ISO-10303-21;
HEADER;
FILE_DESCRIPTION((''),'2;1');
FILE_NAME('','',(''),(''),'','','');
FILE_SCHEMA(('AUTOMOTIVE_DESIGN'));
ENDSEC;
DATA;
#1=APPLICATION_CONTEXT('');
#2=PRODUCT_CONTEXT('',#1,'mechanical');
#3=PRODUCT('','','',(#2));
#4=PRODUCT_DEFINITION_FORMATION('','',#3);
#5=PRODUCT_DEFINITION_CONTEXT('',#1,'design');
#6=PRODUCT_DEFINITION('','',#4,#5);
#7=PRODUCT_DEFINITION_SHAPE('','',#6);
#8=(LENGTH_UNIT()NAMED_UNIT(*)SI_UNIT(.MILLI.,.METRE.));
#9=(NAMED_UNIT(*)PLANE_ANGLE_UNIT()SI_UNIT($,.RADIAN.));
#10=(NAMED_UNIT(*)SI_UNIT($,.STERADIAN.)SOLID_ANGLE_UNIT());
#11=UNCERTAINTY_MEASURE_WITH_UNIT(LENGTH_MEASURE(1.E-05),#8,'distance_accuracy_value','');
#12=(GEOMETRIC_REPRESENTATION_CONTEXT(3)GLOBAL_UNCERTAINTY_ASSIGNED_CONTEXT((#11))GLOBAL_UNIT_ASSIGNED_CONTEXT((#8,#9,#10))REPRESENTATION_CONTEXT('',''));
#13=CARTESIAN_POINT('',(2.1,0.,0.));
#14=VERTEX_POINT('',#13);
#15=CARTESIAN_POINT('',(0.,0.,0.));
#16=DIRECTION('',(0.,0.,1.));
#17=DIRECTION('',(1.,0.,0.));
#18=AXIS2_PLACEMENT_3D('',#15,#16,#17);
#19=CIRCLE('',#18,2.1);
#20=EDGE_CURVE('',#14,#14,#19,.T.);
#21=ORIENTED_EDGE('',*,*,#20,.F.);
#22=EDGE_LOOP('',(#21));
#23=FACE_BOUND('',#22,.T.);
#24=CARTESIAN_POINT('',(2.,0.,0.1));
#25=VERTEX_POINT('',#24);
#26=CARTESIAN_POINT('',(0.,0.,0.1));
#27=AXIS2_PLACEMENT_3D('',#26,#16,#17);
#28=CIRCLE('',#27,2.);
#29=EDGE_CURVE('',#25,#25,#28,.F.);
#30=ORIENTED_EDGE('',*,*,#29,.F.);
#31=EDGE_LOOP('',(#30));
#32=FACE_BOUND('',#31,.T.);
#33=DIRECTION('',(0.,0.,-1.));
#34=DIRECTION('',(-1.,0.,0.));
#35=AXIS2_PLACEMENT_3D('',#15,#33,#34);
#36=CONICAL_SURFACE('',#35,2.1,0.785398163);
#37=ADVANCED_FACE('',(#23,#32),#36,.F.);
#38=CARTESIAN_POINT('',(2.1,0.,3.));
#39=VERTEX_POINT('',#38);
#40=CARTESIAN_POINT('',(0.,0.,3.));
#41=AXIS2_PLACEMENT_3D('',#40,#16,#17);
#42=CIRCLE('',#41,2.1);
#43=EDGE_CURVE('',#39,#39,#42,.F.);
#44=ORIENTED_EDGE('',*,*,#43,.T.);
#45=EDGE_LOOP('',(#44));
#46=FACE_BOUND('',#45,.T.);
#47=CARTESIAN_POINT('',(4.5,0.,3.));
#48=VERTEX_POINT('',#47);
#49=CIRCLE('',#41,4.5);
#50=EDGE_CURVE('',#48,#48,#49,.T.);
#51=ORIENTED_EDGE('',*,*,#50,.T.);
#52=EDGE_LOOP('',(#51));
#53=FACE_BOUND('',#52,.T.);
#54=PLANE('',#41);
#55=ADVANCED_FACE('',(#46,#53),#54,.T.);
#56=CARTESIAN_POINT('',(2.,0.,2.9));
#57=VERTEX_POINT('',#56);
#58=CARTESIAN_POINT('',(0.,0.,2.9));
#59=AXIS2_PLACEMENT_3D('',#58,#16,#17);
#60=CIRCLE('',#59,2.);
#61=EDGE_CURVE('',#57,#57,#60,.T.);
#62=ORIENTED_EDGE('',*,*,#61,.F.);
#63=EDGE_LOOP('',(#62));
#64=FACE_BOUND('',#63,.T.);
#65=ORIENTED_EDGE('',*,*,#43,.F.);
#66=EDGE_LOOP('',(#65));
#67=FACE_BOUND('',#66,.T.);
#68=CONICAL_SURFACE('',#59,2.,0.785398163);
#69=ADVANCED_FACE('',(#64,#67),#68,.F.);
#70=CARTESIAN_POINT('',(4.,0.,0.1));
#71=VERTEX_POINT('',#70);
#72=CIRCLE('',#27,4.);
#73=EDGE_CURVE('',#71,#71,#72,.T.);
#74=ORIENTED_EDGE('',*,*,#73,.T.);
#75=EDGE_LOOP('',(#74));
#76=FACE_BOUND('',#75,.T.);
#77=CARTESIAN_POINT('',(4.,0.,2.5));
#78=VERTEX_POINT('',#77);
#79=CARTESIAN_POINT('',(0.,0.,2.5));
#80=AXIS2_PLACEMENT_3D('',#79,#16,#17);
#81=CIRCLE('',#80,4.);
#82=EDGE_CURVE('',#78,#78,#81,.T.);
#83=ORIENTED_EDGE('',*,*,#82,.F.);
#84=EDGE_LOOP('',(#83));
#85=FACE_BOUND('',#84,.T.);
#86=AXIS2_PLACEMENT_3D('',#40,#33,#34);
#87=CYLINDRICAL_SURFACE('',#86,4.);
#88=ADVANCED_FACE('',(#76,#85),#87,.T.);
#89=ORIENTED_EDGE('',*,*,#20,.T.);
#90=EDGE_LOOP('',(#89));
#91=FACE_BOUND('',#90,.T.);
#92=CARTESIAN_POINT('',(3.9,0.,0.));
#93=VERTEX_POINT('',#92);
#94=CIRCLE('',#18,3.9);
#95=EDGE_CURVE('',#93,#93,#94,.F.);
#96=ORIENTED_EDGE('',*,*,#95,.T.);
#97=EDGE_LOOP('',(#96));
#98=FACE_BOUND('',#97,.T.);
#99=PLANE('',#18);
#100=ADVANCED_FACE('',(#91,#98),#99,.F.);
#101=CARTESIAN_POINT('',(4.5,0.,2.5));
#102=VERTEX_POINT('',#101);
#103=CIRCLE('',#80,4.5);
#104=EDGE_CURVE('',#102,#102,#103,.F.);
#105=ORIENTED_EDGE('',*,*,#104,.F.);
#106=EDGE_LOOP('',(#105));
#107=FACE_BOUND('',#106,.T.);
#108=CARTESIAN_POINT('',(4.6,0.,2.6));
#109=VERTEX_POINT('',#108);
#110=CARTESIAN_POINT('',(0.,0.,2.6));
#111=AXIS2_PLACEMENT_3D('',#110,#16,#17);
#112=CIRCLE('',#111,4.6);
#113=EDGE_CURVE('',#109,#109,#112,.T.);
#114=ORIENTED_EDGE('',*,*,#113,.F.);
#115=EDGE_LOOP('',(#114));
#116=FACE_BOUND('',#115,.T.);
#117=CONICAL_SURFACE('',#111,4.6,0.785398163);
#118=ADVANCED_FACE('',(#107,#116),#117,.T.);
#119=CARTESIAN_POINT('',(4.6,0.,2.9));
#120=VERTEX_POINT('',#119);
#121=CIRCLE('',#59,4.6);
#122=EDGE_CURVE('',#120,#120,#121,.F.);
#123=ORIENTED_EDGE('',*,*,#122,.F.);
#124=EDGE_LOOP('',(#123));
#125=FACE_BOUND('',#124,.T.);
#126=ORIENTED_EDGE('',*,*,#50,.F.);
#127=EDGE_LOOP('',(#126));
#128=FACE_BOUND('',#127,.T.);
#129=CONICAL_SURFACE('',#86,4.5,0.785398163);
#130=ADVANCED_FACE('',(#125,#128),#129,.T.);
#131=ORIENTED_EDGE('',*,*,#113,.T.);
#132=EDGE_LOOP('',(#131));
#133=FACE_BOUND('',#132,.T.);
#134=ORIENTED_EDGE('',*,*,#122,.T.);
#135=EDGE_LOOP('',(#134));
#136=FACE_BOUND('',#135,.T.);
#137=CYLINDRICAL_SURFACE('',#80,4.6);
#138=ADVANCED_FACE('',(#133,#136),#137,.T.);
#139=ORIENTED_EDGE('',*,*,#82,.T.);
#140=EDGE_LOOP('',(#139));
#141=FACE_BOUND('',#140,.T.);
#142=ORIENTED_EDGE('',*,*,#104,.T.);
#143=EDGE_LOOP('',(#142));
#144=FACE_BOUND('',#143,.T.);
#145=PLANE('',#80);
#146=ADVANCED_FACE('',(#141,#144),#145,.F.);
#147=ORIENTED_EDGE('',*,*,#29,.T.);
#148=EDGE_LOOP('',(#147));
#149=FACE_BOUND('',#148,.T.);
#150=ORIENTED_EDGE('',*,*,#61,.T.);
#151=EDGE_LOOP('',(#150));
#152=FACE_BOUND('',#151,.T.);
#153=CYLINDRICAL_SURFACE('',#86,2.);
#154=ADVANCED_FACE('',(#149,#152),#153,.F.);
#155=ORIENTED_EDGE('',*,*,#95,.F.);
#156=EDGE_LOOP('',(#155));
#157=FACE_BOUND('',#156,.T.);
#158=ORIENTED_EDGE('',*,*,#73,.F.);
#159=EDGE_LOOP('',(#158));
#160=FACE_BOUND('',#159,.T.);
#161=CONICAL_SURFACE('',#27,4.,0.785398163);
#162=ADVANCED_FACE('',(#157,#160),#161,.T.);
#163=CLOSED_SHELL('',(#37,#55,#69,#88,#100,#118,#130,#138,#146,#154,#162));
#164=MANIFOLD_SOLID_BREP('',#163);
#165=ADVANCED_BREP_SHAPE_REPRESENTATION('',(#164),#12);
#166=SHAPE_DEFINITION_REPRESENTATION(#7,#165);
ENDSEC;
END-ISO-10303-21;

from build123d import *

# Parameters (mm, degrees)
SKETCH_1_R      = 4
SKETCH_1_R_2    = 2
EXTRUDE_1_DEPTH = 3
EXTRUDE_START   = -0.5
SKETCH_2_R      = 4.6
SKETCH_2_R_2    = 4
EXTRUDE_2_DEPTH = 0.5
CHAMFER_1_SIZE  = 0.1


with BuildPart() as part:
    # 草图1 → 凸台-拉伸1 (new body)
    with BuildSketch(Plane.XY):
        Circle(SKETCH_1_R)
        Circle(SKETCH_1_R_2, mode=Mode.SUBTRACT)
    extrude(amount=EXTRUDE_1_DEPTH)

    # 草图2 → 凸台-拉伸2 (add)
    with BuildSketch(Plane.XY.offset(3).offset(EXTRUDE_START)):
        Circle(SKETCH_2_R)
        Circle(SKETCH_2_R_2, mode=Mode.SUBTRACT)
    extrude(amount=EXTRUDE_2_DEPTH)

    # 倒角1
    chamfer_1_edges = [part.edges().sort_by_distance(p)[0] for p in [
        (-4.6, 0, 2.5),
        (-4.6, 0, 3),
        (-4, 0, 0),
        (-2, 0, 0),
        (-2, 0, 3),
    ]]
    chamfer(chamfer_1_edges, length=CHAMFER_1_SIZE)


solid = part.part
